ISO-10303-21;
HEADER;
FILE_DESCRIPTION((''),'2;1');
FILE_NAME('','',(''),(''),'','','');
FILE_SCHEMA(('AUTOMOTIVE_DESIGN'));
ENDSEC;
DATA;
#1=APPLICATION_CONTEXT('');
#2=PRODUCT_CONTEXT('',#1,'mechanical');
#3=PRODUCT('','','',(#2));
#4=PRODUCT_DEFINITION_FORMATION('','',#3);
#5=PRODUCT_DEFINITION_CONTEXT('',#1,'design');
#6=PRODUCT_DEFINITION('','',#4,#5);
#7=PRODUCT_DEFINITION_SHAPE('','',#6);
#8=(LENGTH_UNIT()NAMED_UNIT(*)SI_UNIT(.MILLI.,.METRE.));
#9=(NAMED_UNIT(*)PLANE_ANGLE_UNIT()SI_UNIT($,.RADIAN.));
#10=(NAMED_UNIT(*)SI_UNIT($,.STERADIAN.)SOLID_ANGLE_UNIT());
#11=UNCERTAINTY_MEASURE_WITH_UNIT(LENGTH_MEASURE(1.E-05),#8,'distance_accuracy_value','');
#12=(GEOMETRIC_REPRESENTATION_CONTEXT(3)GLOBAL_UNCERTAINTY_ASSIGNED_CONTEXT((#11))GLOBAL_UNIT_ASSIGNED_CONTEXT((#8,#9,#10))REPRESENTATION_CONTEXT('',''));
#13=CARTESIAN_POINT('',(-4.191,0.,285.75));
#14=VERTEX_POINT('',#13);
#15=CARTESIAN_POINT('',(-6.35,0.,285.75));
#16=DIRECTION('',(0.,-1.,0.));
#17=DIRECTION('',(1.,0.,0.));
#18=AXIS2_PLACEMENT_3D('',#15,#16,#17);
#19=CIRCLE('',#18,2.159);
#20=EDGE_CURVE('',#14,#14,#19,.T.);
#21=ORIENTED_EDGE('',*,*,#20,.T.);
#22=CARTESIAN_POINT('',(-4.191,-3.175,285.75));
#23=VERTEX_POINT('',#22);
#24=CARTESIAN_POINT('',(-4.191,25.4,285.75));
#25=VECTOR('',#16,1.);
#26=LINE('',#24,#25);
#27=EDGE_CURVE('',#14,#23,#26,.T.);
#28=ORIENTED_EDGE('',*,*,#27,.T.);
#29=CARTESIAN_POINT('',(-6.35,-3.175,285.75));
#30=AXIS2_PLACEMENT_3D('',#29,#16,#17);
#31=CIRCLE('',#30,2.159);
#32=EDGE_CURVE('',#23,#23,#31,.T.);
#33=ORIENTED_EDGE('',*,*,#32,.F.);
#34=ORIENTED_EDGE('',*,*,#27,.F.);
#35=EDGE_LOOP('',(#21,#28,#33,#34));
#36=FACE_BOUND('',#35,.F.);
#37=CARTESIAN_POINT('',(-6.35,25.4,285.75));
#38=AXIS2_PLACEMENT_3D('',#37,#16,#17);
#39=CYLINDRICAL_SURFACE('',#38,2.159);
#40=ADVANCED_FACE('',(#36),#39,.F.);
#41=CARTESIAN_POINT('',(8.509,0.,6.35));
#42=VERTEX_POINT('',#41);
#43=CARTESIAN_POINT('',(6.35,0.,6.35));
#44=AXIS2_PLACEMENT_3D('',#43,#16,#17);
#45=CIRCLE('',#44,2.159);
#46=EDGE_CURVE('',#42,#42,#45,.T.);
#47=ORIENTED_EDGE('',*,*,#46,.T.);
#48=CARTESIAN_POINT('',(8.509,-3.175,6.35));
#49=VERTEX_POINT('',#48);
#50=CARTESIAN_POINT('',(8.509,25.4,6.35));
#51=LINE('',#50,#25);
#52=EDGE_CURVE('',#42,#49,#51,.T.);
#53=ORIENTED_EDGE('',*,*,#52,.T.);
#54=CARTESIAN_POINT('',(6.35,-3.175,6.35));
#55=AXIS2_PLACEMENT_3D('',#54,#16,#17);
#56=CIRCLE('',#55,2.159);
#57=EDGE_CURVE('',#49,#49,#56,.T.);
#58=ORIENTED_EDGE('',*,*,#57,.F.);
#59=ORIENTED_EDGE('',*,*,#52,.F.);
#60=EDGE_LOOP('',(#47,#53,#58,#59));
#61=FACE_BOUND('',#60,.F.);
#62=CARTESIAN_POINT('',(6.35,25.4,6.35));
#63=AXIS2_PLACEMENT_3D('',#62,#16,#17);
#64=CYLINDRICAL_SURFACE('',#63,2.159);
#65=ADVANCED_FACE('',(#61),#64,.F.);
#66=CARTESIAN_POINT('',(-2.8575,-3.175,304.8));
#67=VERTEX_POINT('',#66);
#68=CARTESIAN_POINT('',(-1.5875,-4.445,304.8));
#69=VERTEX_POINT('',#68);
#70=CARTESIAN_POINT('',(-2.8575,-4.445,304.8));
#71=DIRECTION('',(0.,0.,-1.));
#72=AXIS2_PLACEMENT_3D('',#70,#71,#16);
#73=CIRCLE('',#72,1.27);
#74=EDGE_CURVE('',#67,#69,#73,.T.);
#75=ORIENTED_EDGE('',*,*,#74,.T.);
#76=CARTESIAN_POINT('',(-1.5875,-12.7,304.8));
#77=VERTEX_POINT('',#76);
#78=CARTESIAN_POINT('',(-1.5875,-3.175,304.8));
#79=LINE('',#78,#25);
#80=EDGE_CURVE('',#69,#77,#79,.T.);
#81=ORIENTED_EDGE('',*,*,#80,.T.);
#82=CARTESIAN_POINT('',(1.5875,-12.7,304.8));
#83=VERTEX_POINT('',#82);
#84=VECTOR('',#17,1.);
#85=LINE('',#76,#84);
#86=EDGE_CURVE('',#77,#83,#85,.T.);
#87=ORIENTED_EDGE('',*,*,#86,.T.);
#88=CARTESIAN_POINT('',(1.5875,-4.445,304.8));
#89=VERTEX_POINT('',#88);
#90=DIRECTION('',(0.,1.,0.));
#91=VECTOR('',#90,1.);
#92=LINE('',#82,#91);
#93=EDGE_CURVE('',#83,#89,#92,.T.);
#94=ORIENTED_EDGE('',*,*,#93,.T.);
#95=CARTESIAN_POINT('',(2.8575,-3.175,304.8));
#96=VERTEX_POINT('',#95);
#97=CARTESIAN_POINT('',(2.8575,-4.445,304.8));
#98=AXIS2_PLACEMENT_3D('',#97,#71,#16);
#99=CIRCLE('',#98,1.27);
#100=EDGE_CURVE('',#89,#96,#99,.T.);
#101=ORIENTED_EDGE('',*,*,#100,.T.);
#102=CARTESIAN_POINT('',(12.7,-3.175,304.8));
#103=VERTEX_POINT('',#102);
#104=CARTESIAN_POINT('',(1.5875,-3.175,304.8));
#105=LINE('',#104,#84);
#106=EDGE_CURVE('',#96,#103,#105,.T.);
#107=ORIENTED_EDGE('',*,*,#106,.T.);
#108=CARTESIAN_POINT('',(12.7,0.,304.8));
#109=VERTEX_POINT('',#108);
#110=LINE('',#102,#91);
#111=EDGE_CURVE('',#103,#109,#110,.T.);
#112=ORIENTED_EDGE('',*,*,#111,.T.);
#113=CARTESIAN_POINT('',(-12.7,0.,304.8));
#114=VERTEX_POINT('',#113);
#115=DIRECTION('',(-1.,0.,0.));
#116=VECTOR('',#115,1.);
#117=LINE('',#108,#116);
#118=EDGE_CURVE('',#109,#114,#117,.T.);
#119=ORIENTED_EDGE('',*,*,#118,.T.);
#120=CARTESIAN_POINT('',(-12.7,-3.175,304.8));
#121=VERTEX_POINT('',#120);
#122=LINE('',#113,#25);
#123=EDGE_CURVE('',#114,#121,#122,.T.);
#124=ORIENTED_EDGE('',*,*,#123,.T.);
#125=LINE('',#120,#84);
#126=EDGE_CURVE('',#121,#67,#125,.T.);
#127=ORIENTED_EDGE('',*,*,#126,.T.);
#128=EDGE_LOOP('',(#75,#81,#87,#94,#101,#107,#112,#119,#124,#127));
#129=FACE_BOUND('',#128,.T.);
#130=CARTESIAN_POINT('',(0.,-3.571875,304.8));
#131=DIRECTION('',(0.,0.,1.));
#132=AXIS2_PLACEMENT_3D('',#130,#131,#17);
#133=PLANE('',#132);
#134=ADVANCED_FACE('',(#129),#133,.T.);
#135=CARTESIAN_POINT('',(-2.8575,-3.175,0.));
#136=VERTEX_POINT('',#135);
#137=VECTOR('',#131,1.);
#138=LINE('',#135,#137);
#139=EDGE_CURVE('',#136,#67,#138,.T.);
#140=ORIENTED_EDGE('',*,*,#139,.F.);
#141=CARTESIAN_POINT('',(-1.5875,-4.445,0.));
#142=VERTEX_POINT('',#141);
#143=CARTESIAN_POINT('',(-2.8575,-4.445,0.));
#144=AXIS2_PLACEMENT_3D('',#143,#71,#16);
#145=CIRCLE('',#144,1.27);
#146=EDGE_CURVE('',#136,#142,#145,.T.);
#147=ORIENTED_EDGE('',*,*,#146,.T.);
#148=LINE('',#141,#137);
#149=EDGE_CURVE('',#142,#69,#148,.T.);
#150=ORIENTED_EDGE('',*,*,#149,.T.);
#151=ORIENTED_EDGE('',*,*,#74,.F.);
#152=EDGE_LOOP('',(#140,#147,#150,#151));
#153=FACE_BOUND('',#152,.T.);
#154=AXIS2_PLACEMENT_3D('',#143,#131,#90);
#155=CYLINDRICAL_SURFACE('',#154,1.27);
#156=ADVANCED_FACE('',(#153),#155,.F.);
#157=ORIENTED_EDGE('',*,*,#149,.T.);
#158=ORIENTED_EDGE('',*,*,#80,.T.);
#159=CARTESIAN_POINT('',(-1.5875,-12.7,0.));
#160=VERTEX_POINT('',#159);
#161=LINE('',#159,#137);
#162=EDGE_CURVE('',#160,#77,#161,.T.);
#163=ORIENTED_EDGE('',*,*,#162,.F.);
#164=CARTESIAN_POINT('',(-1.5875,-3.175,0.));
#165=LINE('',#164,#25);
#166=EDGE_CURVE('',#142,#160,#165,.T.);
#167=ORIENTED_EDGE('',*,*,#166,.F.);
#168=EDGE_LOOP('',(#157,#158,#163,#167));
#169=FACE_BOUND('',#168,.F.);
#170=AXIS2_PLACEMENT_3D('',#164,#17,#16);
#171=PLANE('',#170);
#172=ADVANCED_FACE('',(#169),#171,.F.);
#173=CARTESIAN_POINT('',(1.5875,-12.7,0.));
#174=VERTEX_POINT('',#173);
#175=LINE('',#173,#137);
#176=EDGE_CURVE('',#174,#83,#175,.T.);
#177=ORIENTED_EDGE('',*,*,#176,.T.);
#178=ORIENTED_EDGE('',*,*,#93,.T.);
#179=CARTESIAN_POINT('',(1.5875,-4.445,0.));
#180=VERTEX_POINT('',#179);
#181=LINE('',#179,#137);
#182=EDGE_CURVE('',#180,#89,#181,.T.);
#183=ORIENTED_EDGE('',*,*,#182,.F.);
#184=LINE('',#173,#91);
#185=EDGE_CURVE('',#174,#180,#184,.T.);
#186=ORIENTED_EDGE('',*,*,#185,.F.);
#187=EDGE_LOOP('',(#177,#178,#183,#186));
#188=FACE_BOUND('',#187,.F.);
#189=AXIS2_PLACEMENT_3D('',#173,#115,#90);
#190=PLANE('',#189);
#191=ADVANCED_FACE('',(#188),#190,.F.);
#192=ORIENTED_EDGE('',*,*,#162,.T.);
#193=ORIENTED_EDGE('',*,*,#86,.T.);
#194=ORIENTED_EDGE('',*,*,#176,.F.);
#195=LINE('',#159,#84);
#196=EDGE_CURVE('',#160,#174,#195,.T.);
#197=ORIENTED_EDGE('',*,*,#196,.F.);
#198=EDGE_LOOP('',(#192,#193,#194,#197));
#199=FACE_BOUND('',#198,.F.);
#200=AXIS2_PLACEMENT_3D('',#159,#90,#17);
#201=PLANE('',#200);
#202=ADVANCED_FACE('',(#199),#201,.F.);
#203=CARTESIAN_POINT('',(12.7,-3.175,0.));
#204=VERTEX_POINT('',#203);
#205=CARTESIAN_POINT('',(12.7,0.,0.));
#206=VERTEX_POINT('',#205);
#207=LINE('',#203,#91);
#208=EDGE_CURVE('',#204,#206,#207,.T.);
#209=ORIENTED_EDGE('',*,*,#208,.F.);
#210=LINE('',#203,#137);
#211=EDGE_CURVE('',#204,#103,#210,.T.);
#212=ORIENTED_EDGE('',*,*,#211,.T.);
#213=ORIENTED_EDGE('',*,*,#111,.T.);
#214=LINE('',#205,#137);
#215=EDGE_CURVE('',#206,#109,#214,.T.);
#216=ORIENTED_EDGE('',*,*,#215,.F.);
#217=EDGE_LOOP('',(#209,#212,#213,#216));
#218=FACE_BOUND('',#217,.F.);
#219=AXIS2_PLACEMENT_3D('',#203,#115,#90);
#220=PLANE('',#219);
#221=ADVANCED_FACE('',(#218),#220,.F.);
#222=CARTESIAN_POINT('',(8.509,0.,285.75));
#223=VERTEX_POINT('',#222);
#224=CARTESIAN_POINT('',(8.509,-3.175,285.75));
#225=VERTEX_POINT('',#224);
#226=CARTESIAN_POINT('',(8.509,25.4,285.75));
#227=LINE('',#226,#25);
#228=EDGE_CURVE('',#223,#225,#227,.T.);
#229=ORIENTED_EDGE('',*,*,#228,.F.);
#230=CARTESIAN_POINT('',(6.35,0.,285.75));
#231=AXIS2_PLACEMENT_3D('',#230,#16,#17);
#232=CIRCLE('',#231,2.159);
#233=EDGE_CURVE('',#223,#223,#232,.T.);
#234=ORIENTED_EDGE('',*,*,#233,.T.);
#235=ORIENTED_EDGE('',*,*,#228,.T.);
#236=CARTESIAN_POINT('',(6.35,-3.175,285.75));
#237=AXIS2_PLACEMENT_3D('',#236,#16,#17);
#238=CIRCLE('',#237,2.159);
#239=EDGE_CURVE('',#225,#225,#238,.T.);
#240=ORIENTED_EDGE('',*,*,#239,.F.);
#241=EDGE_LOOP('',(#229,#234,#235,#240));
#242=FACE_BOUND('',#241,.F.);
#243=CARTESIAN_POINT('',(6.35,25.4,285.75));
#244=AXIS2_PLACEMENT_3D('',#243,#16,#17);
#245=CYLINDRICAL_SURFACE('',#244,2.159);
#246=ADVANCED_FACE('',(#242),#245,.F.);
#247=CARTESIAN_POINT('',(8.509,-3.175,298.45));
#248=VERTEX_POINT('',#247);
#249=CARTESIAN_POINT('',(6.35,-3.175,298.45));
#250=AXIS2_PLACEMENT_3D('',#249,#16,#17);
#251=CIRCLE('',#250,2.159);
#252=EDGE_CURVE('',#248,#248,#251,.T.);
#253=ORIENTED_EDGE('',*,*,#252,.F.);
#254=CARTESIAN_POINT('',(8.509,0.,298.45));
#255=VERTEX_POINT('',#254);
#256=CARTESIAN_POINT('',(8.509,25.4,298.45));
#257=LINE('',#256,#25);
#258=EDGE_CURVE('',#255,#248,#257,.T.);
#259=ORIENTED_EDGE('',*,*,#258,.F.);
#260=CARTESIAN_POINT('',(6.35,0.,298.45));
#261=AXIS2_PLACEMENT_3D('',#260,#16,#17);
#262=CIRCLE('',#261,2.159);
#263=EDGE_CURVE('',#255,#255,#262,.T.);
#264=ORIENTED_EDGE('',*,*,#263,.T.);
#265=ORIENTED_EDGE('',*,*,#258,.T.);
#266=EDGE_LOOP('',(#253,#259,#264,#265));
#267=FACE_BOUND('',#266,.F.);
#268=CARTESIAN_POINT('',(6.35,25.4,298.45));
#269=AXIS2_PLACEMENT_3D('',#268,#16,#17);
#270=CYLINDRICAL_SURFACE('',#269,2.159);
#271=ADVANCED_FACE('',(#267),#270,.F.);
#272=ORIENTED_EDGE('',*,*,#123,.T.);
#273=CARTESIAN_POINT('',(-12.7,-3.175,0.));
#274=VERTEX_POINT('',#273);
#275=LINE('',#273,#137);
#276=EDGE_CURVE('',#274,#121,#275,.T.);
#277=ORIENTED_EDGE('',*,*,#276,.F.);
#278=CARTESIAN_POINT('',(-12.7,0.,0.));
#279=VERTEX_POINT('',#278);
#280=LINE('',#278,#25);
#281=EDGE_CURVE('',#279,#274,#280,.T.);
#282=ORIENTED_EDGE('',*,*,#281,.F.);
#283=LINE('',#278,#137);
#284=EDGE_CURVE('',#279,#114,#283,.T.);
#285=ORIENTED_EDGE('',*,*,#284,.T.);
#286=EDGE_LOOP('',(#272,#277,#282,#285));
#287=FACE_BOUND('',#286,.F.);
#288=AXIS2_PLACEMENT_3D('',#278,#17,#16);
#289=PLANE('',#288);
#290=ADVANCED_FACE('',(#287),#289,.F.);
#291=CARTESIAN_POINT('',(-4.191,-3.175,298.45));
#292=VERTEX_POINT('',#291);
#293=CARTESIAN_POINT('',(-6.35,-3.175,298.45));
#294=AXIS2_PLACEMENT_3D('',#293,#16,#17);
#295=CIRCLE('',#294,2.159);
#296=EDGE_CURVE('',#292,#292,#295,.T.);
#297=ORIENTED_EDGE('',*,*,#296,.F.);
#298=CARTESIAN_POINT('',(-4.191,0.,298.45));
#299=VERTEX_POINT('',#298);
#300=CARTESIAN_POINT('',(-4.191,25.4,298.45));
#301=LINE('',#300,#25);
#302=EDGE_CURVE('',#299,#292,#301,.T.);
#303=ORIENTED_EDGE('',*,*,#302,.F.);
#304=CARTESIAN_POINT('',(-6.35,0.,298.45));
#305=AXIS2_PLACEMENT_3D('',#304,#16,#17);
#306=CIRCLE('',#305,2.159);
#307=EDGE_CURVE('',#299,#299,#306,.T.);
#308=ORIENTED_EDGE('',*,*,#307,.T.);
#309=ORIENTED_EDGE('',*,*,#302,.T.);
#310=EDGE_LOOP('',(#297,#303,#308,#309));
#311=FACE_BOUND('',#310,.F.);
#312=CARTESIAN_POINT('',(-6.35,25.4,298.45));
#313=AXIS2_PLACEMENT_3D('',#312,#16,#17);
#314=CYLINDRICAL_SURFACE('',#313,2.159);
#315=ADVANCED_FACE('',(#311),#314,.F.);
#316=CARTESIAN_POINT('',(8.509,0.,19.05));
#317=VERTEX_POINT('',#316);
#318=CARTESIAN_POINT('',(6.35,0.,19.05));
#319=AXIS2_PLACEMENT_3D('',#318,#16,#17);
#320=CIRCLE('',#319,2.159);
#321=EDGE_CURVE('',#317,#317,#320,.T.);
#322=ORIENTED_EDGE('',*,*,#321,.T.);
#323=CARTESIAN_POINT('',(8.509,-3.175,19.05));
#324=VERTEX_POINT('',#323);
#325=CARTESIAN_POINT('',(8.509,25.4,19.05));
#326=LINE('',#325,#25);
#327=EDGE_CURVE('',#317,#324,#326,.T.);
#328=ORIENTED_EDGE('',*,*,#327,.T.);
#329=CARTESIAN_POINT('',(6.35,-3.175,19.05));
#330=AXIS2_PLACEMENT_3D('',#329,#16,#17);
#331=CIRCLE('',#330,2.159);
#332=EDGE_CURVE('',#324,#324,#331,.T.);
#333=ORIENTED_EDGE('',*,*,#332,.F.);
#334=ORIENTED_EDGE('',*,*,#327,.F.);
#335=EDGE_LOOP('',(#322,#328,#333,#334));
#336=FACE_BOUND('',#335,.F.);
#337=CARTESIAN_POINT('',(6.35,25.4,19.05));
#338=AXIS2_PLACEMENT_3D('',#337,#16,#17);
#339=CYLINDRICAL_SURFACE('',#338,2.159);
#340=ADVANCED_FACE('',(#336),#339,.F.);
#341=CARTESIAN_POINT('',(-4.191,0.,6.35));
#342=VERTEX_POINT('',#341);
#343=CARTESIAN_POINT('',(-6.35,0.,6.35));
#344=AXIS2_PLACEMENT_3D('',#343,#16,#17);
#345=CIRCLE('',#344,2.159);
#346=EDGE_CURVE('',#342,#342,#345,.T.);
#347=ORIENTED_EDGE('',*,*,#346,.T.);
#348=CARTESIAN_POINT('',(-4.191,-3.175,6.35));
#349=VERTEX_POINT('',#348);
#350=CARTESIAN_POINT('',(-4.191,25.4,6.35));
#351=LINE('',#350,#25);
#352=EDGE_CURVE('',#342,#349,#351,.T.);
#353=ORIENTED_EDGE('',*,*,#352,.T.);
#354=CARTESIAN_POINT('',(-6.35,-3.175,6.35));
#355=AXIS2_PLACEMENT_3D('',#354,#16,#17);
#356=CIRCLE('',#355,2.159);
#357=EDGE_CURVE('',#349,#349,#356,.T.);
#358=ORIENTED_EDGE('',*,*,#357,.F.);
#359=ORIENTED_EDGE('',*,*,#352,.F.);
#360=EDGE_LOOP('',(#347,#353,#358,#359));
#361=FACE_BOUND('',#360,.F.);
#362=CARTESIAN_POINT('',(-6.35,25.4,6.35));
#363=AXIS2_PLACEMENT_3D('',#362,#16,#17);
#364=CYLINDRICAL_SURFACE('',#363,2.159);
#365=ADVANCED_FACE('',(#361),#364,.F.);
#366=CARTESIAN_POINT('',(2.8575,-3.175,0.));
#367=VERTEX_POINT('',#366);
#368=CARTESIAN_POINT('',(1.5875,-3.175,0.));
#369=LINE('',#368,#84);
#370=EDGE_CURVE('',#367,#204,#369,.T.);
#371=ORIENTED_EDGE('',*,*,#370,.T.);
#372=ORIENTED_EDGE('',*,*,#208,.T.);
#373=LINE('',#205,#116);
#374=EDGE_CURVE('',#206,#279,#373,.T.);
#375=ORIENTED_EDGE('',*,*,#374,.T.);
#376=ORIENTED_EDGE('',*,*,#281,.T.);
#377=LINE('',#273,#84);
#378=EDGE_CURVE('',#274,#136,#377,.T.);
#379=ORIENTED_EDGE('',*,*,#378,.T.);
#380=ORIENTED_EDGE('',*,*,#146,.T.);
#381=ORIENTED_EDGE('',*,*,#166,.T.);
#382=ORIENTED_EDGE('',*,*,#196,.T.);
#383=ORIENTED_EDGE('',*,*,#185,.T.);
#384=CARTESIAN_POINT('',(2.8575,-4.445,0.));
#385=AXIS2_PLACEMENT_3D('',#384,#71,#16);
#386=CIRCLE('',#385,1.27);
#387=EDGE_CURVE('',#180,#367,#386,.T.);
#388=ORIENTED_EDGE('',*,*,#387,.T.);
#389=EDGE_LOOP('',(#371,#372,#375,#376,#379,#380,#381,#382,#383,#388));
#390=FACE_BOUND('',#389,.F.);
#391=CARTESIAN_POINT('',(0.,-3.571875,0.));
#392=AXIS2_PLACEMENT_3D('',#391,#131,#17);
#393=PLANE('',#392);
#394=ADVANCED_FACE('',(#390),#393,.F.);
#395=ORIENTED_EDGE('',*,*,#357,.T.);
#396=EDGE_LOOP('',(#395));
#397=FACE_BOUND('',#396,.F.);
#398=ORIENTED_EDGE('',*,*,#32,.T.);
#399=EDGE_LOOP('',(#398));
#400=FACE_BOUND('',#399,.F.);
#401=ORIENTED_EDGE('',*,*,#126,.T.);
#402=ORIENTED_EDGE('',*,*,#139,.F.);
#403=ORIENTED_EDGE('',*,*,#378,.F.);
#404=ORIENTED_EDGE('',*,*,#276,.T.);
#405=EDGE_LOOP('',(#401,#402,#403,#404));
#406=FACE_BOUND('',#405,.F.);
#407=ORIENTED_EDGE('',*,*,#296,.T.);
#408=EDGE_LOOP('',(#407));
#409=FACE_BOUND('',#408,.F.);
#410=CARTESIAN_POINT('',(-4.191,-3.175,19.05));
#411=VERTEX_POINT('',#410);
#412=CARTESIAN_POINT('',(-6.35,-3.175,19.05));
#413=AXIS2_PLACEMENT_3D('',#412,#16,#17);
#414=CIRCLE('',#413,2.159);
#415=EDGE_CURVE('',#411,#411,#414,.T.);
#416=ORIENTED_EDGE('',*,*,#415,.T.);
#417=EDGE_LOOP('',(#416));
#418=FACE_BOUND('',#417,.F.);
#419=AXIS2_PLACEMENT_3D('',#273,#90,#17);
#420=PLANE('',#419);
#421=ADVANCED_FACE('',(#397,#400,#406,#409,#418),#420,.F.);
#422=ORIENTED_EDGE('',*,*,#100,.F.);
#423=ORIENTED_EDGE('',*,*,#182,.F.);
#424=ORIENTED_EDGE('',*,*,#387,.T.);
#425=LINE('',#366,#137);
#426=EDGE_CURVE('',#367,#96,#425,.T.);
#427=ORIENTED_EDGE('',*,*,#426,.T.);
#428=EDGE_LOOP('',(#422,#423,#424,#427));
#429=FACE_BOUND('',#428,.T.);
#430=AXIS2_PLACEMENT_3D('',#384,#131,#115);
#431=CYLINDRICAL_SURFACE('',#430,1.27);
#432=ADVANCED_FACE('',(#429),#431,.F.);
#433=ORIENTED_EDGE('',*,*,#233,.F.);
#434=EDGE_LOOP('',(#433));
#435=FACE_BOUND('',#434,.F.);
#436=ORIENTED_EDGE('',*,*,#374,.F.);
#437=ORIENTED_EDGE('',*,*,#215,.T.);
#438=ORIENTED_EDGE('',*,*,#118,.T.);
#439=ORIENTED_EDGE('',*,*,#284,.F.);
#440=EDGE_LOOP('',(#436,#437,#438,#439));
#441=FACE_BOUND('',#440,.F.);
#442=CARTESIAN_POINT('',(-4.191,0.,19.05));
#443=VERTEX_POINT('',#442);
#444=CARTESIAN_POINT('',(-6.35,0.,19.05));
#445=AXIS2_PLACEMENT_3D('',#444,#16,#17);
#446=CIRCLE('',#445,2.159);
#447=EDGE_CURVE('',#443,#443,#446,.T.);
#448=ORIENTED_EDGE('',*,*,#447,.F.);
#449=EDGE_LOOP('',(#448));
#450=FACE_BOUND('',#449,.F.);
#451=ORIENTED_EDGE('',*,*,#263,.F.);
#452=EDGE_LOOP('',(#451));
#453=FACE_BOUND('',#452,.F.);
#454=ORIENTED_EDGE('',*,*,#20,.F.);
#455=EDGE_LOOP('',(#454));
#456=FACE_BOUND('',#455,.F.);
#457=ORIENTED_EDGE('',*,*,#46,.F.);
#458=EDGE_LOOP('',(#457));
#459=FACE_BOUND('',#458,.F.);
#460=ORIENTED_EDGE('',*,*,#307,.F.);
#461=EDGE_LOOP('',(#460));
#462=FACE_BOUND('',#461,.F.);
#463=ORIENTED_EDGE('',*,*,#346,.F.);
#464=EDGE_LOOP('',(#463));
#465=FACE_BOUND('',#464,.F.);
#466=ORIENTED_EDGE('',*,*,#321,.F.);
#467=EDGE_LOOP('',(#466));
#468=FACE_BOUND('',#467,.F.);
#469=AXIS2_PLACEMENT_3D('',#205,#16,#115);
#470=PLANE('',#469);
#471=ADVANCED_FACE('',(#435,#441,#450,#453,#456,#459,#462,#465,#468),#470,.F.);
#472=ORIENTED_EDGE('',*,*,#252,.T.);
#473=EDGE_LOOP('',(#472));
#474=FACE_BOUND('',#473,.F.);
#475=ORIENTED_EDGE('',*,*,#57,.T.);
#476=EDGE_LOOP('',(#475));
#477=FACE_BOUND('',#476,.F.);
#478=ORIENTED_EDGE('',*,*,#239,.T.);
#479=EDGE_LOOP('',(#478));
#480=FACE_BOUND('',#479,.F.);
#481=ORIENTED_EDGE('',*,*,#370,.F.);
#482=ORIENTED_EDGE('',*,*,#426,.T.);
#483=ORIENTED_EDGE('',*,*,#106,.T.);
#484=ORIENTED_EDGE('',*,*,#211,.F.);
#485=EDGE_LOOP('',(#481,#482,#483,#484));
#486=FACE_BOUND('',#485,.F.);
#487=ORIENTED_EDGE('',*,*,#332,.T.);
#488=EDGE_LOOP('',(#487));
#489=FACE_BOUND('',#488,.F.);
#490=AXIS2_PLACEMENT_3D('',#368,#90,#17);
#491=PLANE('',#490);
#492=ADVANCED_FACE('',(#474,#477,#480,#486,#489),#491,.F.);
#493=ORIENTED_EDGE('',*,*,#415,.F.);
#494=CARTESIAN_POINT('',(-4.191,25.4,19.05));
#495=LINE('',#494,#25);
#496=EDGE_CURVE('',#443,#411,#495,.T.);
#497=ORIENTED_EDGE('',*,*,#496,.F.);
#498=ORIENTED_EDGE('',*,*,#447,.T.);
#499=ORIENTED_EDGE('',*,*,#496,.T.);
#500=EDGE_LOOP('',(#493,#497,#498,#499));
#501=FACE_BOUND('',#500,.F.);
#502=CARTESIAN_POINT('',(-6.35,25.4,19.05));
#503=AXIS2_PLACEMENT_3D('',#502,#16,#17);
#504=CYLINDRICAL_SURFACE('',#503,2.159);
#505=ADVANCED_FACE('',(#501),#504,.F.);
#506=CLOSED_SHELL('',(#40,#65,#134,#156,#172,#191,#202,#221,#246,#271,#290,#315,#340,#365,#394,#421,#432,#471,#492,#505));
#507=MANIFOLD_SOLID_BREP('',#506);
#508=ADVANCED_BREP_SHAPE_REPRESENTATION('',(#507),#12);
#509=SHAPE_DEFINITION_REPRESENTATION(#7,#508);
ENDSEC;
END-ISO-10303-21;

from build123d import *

# Parameters (mm, degrees)
F1_DEPTH = 304.8
F2_R     = 1.27
F4_D     = 4.318
F4_DEPTH = 25.4
F4_TIP   = 1.2972580765


with BuildPart() as f1:
    # F0 (on Top) → F1 (new body)
    with BuildSketch(Plane.XY):
        Polygon((12.7, 0), (0, 0), (-12.7, 0), (-12.7, -3.175), (-1.5875, -3.175), (-1.5875, -12.7), (0, -12.7), (1.5875, -12.7), (1.5875, -3.175), (12.7, -3.175), align=None)
    extrude(amount=F1_DEPTH)

    # F2
    f2_edges = [f1.edges().sort_by_distance(p)[0] for p in [
        (-1.5875, -3.175, 152.4),
        (1.5875, -3.175, 152.4),
    ]]
    fillet(f2_edges, radius=F2_R)

    # F4
    with Locations(Plane(origin=(0, 0, 0), x_dir=(-1, 0, 0), z_dir=(0, 1, 0))):
        with Locations((-6.35, 298.45), (-6.35, 285.75), (6.35, 285.75), (6.35, 298.45), (-6.35, 6.35), (-6.35, 19.05), (6.35, 19.05), (6.35, 6.35)):
            Hole(F4_D / 2, depth=F4_DEPTH)
            with Locations((0, 0, -(F4_DEPTH + F4_TIP / 2))):  # 118° drill point
                Cone(0, F4_D / 2, F4_TIP, mode=Mode.SUBTRACT)


solid = f1.part
